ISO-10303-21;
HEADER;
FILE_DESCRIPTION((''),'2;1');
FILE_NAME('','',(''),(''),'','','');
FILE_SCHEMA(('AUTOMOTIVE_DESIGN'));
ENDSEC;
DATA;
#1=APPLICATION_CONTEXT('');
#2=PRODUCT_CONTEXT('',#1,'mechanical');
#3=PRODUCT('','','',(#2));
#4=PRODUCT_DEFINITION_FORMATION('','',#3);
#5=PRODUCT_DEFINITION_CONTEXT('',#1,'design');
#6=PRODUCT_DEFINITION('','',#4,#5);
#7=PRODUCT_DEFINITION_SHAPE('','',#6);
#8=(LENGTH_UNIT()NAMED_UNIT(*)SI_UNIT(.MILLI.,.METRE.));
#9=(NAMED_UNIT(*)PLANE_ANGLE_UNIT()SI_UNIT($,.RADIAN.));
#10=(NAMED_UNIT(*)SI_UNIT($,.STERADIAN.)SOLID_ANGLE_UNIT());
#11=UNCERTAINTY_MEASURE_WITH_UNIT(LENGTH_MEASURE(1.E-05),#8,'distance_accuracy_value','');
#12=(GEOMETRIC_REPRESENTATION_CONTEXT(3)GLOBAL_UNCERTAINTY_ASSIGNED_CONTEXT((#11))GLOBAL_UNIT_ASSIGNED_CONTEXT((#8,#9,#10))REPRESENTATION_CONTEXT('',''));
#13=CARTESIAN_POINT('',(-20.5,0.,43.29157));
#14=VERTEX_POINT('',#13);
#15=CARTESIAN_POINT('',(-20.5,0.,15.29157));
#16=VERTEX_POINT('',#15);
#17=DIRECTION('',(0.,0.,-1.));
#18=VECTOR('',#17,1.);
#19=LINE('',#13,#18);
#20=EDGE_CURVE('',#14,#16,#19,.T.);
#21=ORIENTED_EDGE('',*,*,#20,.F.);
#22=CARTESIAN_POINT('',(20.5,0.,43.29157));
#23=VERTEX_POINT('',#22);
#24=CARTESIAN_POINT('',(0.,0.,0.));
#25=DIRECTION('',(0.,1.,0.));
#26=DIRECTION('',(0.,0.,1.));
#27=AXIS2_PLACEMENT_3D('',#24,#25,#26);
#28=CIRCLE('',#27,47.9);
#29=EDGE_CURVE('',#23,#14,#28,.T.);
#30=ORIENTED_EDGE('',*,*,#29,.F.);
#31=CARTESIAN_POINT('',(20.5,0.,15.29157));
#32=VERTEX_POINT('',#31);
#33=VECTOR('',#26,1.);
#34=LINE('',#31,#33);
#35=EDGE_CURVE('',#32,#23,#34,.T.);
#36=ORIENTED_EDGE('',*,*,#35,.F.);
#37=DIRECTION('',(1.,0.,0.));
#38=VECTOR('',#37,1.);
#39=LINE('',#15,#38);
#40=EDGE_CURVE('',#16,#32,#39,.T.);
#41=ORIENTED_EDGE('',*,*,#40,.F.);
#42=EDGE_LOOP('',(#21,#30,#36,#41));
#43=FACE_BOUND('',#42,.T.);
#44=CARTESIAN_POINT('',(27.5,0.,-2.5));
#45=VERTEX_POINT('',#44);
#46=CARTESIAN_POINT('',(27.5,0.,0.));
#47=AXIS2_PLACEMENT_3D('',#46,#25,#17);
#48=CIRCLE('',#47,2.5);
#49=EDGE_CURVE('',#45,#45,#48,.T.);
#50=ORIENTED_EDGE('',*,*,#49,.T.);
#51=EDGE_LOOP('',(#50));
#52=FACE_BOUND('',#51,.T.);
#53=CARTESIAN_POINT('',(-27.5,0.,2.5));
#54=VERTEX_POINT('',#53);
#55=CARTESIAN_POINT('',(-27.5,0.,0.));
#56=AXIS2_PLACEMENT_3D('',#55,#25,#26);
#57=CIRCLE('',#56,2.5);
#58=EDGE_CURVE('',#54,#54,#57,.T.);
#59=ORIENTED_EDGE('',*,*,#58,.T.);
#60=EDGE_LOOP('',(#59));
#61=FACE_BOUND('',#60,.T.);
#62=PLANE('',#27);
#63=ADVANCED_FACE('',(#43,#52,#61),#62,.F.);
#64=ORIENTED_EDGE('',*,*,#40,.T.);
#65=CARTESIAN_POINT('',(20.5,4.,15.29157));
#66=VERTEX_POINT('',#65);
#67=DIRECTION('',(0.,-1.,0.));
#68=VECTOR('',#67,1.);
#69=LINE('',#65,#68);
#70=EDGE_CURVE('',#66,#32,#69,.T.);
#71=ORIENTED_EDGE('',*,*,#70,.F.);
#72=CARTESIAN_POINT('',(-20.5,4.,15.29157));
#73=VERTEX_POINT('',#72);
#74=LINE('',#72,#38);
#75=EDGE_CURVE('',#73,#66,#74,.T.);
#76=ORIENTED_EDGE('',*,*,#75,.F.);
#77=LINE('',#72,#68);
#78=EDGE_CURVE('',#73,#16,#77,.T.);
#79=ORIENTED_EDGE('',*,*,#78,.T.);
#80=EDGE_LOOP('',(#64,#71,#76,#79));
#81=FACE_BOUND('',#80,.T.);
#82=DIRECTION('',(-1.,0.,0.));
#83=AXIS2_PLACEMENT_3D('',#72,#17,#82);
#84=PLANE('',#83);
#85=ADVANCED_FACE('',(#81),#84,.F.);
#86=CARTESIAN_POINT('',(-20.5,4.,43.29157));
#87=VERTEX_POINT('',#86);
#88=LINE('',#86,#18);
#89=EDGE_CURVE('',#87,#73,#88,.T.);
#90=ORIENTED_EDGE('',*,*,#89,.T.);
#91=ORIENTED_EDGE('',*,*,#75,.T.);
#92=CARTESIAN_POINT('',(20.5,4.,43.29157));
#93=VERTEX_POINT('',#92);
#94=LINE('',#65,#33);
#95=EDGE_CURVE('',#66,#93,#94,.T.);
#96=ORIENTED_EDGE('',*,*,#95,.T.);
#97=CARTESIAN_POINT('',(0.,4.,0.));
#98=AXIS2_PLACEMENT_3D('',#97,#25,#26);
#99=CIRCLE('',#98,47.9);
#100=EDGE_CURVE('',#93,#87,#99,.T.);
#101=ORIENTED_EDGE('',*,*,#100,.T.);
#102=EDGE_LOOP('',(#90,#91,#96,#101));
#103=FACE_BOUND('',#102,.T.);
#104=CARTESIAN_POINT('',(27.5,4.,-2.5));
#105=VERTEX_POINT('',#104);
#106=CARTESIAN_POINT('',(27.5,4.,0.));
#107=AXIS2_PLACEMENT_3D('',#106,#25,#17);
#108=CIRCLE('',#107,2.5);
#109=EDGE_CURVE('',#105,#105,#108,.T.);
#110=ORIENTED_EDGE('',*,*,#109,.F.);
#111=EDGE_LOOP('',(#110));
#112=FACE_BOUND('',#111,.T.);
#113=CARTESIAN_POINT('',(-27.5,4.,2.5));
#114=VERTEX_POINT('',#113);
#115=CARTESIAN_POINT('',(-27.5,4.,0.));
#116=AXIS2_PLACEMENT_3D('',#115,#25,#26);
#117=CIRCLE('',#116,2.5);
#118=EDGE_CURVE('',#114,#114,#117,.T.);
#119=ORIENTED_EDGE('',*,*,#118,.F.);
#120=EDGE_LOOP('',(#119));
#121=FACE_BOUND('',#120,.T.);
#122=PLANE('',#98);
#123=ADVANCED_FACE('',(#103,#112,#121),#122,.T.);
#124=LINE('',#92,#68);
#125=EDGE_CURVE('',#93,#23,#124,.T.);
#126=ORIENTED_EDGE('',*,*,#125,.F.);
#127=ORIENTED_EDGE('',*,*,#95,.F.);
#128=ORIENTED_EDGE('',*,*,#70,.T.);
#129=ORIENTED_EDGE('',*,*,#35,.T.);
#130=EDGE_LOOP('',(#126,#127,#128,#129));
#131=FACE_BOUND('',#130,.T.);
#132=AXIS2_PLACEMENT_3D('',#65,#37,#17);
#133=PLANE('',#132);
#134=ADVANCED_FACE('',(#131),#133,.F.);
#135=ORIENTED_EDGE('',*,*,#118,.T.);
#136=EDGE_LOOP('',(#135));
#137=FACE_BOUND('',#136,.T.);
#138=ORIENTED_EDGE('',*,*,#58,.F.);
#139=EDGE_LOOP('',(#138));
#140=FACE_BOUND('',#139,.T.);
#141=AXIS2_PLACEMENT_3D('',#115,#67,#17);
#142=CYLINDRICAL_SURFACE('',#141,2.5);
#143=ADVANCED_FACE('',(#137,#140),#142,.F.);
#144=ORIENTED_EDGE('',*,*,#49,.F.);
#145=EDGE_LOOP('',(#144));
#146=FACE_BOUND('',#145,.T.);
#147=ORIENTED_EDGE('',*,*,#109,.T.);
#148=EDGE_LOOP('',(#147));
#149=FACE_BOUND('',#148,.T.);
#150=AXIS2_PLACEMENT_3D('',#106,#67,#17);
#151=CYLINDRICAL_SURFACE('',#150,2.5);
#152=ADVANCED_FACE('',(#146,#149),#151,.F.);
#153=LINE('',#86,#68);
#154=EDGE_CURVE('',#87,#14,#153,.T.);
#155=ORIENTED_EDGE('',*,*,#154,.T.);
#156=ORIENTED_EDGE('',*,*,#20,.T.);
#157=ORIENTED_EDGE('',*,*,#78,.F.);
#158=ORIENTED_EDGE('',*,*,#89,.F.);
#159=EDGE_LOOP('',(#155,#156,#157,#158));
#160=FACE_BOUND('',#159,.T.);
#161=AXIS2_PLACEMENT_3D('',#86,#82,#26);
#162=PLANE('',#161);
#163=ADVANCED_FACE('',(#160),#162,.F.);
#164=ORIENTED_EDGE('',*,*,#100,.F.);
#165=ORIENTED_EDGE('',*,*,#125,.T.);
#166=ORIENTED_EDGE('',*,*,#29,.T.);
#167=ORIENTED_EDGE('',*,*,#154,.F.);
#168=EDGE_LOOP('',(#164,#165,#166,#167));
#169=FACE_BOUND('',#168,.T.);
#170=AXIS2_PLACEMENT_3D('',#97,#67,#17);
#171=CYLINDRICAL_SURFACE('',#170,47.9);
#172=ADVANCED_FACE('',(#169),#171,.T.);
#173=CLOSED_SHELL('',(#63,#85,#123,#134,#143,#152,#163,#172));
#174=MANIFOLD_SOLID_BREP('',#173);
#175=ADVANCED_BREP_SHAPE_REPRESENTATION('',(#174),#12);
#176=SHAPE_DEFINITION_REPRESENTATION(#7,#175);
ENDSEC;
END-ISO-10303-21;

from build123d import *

# Parameters (mm, degrees)
SKETCH1_R           = 2.5
BOSS_EXTRUDE2_DEPTH = 4


with BuildPart() as part:
    # Sketch1 → Boss-Extrude2 (new body)
    with BuildSketch(Plane(origin=(0, 0, 0), x_dir=(1, 0, 0), z_dir=(0, 1, 0))):
        with BuildLine():
            Line((-20.5, -43.291569618), (-20.5, -15.291569618))
            Line((-20.5, -15.291569618), (20.5, -15.291569618))
            Line((20.5, -15.291569618), (20.5, -43.291569618))
            ThreePointArc((20.5, -43.291569618), (0, 47.9), (-20.5, -43.291569618))
        make_face()
        with Locations(Location((-27.5, 0, 0), (0, 0, 270))):
            Circle(SKETCH1_R, mode=Mode.SUBTRACT)
        with Locations(Location((27.5, 0, 0), (0, 0, 90))):
            Circle(SKETCH1_R, mode=Mode.SUBTRACT)
    extrude(amount=BOSS_EXTRUDE2_DEPTH)


solid = part.part
